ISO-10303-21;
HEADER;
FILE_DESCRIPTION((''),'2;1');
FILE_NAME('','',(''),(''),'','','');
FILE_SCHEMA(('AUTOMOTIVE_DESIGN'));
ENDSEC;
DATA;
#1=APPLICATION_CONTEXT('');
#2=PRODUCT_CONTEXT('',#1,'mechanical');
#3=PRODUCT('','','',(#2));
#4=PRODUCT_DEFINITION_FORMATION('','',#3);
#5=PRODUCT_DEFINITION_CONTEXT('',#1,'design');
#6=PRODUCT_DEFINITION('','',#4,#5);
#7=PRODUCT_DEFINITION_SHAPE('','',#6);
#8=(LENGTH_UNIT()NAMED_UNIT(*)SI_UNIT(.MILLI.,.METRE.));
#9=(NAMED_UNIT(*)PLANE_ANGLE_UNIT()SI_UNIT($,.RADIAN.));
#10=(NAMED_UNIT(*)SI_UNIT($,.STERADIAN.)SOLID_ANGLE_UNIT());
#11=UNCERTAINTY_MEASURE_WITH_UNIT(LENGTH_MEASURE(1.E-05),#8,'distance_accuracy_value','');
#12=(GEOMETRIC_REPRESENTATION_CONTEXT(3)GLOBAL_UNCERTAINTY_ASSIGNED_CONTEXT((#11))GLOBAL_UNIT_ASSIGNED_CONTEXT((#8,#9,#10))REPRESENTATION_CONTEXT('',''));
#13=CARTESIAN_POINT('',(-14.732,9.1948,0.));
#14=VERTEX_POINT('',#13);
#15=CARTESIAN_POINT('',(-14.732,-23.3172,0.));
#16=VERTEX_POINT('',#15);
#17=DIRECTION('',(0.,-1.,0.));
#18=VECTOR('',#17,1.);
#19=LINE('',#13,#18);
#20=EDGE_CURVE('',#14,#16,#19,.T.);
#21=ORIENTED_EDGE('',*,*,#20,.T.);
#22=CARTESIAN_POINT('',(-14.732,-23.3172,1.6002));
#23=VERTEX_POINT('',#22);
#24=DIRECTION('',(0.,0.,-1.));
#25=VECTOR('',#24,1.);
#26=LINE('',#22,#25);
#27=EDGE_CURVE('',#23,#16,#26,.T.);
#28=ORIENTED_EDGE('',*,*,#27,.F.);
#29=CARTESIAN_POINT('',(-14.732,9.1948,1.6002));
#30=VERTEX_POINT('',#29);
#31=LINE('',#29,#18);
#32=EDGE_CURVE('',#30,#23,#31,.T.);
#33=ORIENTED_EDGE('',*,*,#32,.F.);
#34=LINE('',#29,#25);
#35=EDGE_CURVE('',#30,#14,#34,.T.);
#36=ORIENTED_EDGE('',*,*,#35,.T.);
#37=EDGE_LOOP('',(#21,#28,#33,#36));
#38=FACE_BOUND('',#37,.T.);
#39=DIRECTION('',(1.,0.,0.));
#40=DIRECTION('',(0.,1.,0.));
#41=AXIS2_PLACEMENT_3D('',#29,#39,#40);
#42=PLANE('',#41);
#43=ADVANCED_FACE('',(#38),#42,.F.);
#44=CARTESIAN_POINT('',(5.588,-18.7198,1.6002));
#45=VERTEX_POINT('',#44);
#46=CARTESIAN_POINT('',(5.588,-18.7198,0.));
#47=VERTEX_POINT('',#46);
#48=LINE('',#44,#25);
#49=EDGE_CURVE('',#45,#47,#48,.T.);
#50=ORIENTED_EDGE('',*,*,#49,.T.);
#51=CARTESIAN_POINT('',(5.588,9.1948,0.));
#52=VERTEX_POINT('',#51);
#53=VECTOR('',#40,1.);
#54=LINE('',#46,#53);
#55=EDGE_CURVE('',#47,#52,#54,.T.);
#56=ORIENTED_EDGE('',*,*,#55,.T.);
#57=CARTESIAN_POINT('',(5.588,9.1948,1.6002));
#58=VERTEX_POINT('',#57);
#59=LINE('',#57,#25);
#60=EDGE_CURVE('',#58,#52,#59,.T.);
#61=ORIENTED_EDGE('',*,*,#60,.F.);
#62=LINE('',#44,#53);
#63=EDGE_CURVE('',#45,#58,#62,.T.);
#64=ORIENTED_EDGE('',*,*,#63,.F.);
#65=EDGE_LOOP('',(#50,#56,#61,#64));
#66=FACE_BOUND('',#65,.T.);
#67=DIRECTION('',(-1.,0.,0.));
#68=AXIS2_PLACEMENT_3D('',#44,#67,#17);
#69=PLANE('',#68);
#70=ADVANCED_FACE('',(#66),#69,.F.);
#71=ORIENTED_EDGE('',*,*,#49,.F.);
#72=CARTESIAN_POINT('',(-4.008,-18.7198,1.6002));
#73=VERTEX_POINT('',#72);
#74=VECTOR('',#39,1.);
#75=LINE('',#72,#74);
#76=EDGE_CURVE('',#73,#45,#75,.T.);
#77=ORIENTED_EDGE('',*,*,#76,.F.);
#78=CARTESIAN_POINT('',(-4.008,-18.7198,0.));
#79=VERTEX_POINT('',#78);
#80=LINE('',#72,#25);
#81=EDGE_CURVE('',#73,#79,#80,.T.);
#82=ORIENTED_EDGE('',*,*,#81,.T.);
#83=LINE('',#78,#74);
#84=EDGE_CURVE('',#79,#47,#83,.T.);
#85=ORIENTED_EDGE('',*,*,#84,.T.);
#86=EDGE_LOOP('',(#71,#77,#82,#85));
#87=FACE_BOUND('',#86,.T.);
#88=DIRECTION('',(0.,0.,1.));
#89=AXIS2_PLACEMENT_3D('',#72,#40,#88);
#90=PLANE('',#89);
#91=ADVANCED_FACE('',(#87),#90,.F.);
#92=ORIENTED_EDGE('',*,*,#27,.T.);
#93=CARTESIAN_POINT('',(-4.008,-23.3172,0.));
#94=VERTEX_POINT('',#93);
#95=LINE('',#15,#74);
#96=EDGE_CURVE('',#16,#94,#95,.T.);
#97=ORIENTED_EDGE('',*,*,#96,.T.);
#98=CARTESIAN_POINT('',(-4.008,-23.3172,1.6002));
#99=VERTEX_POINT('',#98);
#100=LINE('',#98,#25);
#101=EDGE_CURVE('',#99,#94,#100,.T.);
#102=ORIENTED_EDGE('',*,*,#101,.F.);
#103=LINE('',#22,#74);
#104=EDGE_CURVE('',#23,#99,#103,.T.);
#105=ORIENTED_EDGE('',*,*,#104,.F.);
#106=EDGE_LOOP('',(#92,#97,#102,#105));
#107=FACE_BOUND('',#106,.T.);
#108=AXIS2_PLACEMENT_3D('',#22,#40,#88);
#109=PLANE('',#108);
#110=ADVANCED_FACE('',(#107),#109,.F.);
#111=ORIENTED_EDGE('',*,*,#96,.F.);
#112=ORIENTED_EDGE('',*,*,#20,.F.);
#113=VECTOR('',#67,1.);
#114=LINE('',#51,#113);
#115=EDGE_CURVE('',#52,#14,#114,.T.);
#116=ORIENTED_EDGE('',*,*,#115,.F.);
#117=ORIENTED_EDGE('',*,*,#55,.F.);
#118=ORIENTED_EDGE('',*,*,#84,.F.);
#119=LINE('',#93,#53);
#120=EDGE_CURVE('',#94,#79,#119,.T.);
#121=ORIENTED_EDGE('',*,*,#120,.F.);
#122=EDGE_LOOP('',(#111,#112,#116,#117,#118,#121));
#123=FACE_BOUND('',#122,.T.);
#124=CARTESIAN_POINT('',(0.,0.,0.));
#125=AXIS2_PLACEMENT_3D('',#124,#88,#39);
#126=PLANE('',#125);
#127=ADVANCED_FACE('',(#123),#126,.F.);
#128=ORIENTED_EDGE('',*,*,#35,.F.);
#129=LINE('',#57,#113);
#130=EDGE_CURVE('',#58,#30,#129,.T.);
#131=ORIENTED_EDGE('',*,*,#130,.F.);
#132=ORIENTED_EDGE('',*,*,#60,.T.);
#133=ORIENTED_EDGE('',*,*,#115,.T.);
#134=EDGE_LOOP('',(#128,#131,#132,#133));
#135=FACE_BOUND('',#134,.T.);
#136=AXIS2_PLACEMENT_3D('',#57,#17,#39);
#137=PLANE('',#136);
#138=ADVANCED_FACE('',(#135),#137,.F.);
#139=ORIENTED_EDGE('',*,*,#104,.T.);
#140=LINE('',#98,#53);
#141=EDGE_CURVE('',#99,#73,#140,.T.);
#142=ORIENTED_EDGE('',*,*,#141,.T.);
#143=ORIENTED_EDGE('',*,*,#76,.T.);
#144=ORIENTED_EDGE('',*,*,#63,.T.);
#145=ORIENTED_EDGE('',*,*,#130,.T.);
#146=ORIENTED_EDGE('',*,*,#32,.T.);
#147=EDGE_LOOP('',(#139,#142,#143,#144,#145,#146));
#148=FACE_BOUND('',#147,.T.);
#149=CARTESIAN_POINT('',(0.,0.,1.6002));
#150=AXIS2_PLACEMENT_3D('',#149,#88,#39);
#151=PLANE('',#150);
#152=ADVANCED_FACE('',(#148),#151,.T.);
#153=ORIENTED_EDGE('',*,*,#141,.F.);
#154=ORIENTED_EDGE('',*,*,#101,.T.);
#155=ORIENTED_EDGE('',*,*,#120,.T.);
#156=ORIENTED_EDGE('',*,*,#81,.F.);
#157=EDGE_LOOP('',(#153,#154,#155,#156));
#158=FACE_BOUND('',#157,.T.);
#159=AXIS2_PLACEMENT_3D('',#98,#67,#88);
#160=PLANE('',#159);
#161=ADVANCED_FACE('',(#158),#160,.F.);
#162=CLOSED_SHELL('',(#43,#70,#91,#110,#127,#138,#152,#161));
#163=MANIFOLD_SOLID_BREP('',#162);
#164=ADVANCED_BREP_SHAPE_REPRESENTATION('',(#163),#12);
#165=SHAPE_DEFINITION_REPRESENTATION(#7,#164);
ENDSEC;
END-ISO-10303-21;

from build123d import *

# Parameters (mm, degrees)
BOSS_EXTRUDE1_DEPTH = 1.6002


with BuildPart() as part:
    # Sketch2 → Boss-Extrude1 (new body)
    with BuildSketch(Plane.XY):
        Polygon((-14.732, 9.1948), (-14.732, -23.3172), (-4.008, -23.3172), (-4.008, -18.7198), (5.588, -18.7198), (5.588, 9.1948), align=None)
    extrude(amount=BOSS_EXTRUDE1_DEPTH)


solid = part.part
